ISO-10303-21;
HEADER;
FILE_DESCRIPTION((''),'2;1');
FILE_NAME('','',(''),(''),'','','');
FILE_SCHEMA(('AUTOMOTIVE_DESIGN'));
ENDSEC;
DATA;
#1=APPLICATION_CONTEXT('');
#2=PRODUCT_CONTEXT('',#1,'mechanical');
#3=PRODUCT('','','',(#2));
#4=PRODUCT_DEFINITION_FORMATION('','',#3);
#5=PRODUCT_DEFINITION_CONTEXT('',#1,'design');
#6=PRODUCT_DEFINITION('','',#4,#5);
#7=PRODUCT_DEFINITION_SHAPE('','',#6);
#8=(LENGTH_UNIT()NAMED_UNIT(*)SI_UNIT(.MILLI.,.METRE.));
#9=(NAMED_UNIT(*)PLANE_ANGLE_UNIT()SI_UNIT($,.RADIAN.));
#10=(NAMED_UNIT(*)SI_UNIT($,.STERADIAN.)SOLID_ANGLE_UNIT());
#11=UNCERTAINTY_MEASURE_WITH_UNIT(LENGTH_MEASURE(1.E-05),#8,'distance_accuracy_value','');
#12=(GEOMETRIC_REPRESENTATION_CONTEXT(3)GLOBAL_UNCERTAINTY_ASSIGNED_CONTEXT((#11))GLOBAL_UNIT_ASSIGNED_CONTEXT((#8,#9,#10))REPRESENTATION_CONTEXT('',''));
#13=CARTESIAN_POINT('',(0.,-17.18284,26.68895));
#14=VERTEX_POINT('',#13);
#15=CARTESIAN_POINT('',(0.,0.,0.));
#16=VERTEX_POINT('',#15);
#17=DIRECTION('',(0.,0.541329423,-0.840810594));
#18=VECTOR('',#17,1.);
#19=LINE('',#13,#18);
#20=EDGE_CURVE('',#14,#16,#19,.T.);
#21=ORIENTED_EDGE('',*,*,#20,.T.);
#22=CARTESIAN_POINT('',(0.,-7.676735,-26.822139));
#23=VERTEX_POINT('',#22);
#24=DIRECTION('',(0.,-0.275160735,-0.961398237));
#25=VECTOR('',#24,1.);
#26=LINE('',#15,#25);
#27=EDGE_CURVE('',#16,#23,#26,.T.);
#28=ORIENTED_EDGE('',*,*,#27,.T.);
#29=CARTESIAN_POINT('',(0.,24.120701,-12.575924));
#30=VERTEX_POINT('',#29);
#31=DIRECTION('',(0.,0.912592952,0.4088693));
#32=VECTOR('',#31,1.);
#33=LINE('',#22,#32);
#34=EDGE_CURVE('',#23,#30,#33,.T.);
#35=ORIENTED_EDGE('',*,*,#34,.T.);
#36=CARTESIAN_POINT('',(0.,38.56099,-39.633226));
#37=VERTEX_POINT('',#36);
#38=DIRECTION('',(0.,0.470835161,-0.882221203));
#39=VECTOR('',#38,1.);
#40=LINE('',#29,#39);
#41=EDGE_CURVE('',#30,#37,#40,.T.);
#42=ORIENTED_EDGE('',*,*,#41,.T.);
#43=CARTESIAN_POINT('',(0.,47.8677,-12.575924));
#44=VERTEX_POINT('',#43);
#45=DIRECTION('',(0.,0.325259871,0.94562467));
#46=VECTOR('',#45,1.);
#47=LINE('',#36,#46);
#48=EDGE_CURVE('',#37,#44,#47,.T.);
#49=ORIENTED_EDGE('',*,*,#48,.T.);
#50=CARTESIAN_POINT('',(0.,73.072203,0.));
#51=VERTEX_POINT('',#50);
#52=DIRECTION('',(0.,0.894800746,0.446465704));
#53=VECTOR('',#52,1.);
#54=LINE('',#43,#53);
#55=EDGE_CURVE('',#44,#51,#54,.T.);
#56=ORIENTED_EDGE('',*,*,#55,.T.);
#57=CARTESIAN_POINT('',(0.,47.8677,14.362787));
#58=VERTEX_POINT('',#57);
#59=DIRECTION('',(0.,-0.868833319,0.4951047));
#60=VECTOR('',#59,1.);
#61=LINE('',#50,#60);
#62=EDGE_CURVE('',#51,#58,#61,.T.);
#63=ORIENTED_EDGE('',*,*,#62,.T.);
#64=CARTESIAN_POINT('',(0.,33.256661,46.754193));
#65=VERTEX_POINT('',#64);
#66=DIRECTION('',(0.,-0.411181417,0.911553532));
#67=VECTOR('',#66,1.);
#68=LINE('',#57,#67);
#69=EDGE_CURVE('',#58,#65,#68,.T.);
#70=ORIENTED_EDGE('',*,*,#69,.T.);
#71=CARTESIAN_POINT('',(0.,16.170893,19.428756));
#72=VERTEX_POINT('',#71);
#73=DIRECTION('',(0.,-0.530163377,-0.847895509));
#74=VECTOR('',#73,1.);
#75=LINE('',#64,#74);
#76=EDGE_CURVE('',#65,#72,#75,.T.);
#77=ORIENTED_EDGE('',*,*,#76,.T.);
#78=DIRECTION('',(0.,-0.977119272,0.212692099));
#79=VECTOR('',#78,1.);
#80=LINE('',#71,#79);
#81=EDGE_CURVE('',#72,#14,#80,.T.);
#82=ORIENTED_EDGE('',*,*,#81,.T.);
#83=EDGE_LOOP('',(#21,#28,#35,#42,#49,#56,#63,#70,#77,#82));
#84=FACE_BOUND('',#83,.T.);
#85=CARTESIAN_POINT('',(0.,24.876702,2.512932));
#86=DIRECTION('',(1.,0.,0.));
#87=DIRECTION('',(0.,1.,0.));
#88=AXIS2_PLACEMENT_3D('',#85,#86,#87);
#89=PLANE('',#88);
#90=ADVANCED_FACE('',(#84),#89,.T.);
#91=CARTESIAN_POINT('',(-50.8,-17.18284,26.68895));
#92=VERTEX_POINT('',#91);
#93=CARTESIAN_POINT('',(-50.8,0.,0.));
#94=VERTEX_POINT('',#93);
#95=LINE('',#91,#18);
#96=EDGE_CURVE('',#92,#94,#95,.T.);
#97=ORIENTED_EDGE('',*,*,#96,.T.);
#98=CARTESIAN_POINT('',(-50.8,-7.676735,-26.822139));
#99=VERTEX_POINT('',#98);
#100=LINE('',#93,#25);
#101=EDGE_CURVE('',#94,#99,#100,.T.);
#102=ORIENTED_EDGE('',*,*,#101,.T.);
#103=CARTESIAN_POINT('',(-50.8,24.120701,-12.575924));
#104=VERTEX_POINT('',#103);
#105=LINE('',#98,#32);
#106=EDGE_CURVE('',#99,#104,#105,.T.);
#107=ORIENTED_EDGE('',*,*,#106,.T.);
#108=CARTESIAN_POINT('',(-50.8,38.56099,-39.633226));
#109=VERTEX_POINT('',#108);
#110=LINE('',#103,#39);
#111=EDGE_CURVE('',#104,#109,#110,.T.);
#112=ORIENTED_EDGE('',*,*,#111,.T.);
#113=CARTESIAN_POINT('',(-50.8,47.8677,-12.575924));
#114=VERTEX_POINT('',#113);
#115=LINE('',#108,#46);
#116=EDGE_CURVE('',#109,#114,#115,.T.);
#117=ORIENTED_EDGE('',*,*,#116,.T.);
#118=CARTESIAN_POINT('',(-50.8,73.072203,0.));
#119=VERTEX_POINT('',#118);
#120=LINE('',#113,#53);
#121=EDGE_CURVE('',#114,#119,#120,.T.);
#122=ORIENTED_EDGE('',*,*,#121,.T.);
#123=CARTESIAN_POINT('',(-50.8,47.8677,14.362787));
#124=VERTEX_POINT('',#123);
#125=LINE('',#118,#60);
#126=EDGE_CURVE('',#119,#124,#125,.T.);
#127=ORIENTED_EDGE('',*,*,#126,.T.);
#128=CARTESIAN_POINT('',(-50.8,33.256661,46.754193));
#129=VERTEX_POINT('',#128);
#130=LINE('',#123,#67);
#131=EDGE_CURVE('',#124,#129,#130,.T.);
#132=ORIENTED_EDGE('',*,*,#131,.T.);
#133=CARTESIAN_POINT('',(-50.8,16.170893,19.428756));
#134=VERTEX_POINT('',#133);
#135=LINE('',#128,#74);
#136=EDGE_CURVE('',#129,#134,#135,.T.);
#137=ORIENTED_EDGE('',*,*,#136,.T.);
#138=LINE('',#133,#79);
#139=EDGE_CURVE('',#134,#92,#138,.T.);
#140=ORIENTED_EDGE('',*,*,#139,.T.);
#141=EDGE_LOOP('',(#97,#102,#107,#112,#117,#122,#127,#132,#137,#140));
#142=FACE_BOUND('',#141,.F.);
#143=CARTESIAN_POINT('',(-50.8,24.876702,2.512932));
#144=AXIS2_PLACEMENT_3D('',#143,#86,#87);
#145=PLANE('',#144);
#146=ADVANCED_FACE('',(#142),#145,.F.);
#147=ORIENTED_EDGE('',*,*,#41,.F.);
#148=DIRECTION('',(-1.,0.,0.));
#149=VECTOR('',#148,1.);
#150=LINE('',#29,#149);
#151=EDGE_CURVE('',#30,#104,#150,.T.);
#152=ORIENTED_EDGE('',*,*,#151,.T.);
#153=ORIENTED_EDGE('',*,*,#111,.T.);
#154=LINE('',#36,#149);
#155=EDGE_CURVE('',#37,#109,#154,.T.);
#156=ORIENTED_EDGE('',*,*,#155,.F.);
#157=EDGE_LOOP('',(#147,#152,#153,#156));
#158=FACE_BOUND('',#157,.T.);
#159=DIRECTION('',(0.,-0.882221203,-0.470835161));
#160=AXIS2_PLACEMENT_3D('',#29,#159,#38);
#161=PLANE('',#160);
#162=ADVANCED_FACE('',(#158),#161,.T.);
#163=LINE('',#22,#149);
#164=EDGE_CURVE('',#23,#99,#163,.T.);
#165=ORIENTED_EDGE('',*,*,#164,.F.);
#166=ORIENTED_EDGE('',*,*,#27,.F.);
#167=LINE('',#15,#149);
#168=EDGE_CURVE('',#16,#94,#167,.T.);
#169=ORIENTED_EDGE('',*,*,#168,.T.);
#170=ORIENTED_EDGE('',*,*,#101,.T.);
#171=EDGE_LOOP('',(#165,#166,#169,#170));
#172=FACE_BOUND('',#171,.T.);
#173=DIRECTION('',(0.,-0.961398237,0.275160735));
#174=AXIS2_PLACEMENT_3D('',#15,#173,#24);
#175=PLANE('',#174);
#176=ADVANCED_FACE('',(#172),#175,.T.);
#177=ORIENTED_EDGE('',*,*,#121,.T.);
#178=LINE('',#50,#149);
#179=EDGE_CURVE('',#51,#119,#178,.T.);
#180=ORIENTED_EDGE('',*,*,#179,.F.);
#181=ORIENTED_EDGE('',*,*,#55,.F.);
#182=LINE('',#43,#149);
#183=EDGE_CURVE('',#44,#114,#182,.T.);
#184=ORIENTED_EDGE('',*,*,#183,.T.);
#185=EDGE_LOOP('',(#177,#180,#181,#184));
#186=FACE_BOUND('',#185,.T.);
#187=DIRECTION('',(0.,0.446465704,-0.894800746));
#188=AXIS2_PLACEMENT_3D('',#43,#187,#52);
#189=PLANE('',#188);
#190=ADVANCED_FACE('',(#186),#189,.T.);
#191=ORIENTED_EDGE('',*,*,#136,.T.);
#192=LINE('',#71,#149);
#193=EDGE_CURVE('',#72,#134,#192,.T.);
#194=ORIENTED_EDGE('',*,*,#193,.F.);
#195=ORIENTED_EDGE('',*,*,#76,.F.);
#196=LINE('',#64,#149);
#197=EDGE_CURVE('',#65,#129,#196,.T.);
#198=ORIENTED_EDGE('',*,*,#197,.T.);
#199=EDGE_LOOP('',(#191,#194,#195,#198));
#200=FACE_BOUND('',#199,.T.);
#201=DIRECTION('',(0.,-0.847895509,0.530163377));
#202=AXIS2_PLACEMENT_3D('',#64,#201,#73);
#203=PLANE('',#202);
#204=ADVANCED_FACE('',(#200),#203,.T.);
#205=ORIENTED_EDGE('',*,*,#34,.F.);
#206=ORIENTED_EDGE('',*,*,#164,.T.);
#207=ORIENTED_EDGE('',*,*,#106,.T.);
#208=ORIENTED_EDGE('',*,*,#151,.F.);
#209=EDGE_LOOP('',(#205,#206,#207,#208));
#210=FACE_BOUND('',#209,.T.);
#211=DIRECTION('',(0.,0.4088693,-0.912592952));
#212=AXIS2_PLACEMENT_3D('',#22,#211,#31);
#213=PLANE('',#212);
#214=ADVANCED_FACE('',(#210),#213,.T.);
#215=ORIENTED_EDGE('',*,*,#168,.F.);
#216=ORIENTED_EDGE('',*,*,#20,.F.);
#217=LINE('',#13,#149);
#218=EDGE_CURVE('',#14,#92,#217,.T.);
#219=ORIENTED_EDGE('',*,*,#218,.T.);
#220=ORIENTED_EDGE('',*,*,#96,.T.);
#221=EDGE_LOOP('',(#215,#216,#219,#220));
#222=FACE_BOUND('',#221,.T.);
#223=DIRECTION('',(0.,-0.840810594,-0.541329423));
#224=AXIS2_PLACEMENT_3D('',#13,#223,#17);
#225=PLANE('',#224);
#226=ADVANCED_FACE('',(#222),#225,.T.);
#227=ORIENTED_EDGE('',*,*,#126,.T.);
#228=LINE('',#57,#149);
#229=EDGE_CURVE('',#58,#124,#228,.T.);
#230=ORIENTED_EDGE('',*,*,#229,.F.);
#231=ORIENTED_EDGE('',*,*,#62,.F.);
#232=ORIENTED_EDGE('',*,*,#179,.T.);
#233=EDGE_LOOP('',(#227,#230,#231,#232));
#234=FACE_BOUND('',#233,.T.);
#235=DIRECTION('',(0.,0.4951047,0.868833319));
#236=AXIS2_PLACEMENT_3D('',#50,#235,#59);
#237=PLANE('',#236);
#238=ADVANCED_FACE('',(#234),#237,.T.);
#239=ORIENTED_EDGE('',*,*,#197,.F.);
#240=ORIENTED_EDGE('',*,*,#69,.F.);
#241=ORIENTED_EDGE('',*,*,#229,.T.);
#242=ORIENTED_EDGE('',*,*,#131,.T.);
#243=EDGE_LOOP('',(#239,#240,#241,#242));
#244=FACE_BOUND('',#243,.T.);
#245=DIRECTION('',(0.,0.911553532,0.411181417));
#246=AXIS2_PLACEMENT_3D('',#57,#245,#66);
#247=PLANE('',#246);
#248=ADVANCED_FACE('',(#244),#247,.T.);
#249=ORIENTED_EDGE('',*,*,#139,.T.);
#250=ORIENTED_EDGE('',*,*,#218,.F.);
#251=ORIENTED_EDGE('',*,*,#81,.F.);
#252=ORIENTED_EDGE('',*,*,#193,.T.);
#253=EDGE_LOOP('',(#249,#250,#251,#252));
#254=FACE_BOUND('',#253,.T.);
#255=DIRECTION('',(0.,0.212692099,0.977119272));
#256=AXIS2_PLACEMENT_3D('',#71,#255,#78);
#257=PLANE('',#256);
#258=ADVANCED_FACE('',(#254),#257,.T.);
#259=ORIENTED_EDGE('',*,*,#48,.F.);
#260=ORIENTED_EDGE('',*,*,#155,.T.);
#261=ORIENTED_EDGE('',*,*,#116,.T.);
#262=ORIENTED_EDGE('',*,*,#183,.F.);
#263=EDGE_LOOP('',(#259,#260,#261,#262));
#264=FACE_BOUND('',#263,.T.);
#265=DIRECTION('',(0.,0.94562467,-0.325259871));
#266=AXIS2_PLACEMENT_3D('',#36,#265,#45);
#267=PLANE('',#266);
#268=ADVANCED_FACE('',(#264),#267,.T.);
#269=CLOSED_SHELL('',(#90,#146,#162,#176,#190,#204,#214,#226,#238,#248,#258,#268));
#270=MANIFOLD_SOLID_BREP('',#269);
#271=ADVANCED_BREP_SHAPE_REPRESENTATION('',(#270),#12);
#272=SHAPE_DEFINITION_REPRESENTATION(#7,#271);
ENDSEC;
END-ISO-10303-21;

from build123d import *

# Parameters (mm, degrees)
F1_DEPTH = 50.8


with BuildPart() as f1:
    # F0 (on Right) → F1 (new body)
    with BuildSketch(Plane.YZ):
        Polygon((-17.18284, 26.68895), (0, 0), (-7.676735, -26.822139), (24.120701, -12.575924), (38.56099, -39.633226), (47.8677, -12.575924), (73.072203, 0), (47.8677, 14.362787), (33.256661, 46.754193), (16.170893, 19.428756), align=None)
    extrude(amount=-F1_DEPTH)


solid = f1.part
